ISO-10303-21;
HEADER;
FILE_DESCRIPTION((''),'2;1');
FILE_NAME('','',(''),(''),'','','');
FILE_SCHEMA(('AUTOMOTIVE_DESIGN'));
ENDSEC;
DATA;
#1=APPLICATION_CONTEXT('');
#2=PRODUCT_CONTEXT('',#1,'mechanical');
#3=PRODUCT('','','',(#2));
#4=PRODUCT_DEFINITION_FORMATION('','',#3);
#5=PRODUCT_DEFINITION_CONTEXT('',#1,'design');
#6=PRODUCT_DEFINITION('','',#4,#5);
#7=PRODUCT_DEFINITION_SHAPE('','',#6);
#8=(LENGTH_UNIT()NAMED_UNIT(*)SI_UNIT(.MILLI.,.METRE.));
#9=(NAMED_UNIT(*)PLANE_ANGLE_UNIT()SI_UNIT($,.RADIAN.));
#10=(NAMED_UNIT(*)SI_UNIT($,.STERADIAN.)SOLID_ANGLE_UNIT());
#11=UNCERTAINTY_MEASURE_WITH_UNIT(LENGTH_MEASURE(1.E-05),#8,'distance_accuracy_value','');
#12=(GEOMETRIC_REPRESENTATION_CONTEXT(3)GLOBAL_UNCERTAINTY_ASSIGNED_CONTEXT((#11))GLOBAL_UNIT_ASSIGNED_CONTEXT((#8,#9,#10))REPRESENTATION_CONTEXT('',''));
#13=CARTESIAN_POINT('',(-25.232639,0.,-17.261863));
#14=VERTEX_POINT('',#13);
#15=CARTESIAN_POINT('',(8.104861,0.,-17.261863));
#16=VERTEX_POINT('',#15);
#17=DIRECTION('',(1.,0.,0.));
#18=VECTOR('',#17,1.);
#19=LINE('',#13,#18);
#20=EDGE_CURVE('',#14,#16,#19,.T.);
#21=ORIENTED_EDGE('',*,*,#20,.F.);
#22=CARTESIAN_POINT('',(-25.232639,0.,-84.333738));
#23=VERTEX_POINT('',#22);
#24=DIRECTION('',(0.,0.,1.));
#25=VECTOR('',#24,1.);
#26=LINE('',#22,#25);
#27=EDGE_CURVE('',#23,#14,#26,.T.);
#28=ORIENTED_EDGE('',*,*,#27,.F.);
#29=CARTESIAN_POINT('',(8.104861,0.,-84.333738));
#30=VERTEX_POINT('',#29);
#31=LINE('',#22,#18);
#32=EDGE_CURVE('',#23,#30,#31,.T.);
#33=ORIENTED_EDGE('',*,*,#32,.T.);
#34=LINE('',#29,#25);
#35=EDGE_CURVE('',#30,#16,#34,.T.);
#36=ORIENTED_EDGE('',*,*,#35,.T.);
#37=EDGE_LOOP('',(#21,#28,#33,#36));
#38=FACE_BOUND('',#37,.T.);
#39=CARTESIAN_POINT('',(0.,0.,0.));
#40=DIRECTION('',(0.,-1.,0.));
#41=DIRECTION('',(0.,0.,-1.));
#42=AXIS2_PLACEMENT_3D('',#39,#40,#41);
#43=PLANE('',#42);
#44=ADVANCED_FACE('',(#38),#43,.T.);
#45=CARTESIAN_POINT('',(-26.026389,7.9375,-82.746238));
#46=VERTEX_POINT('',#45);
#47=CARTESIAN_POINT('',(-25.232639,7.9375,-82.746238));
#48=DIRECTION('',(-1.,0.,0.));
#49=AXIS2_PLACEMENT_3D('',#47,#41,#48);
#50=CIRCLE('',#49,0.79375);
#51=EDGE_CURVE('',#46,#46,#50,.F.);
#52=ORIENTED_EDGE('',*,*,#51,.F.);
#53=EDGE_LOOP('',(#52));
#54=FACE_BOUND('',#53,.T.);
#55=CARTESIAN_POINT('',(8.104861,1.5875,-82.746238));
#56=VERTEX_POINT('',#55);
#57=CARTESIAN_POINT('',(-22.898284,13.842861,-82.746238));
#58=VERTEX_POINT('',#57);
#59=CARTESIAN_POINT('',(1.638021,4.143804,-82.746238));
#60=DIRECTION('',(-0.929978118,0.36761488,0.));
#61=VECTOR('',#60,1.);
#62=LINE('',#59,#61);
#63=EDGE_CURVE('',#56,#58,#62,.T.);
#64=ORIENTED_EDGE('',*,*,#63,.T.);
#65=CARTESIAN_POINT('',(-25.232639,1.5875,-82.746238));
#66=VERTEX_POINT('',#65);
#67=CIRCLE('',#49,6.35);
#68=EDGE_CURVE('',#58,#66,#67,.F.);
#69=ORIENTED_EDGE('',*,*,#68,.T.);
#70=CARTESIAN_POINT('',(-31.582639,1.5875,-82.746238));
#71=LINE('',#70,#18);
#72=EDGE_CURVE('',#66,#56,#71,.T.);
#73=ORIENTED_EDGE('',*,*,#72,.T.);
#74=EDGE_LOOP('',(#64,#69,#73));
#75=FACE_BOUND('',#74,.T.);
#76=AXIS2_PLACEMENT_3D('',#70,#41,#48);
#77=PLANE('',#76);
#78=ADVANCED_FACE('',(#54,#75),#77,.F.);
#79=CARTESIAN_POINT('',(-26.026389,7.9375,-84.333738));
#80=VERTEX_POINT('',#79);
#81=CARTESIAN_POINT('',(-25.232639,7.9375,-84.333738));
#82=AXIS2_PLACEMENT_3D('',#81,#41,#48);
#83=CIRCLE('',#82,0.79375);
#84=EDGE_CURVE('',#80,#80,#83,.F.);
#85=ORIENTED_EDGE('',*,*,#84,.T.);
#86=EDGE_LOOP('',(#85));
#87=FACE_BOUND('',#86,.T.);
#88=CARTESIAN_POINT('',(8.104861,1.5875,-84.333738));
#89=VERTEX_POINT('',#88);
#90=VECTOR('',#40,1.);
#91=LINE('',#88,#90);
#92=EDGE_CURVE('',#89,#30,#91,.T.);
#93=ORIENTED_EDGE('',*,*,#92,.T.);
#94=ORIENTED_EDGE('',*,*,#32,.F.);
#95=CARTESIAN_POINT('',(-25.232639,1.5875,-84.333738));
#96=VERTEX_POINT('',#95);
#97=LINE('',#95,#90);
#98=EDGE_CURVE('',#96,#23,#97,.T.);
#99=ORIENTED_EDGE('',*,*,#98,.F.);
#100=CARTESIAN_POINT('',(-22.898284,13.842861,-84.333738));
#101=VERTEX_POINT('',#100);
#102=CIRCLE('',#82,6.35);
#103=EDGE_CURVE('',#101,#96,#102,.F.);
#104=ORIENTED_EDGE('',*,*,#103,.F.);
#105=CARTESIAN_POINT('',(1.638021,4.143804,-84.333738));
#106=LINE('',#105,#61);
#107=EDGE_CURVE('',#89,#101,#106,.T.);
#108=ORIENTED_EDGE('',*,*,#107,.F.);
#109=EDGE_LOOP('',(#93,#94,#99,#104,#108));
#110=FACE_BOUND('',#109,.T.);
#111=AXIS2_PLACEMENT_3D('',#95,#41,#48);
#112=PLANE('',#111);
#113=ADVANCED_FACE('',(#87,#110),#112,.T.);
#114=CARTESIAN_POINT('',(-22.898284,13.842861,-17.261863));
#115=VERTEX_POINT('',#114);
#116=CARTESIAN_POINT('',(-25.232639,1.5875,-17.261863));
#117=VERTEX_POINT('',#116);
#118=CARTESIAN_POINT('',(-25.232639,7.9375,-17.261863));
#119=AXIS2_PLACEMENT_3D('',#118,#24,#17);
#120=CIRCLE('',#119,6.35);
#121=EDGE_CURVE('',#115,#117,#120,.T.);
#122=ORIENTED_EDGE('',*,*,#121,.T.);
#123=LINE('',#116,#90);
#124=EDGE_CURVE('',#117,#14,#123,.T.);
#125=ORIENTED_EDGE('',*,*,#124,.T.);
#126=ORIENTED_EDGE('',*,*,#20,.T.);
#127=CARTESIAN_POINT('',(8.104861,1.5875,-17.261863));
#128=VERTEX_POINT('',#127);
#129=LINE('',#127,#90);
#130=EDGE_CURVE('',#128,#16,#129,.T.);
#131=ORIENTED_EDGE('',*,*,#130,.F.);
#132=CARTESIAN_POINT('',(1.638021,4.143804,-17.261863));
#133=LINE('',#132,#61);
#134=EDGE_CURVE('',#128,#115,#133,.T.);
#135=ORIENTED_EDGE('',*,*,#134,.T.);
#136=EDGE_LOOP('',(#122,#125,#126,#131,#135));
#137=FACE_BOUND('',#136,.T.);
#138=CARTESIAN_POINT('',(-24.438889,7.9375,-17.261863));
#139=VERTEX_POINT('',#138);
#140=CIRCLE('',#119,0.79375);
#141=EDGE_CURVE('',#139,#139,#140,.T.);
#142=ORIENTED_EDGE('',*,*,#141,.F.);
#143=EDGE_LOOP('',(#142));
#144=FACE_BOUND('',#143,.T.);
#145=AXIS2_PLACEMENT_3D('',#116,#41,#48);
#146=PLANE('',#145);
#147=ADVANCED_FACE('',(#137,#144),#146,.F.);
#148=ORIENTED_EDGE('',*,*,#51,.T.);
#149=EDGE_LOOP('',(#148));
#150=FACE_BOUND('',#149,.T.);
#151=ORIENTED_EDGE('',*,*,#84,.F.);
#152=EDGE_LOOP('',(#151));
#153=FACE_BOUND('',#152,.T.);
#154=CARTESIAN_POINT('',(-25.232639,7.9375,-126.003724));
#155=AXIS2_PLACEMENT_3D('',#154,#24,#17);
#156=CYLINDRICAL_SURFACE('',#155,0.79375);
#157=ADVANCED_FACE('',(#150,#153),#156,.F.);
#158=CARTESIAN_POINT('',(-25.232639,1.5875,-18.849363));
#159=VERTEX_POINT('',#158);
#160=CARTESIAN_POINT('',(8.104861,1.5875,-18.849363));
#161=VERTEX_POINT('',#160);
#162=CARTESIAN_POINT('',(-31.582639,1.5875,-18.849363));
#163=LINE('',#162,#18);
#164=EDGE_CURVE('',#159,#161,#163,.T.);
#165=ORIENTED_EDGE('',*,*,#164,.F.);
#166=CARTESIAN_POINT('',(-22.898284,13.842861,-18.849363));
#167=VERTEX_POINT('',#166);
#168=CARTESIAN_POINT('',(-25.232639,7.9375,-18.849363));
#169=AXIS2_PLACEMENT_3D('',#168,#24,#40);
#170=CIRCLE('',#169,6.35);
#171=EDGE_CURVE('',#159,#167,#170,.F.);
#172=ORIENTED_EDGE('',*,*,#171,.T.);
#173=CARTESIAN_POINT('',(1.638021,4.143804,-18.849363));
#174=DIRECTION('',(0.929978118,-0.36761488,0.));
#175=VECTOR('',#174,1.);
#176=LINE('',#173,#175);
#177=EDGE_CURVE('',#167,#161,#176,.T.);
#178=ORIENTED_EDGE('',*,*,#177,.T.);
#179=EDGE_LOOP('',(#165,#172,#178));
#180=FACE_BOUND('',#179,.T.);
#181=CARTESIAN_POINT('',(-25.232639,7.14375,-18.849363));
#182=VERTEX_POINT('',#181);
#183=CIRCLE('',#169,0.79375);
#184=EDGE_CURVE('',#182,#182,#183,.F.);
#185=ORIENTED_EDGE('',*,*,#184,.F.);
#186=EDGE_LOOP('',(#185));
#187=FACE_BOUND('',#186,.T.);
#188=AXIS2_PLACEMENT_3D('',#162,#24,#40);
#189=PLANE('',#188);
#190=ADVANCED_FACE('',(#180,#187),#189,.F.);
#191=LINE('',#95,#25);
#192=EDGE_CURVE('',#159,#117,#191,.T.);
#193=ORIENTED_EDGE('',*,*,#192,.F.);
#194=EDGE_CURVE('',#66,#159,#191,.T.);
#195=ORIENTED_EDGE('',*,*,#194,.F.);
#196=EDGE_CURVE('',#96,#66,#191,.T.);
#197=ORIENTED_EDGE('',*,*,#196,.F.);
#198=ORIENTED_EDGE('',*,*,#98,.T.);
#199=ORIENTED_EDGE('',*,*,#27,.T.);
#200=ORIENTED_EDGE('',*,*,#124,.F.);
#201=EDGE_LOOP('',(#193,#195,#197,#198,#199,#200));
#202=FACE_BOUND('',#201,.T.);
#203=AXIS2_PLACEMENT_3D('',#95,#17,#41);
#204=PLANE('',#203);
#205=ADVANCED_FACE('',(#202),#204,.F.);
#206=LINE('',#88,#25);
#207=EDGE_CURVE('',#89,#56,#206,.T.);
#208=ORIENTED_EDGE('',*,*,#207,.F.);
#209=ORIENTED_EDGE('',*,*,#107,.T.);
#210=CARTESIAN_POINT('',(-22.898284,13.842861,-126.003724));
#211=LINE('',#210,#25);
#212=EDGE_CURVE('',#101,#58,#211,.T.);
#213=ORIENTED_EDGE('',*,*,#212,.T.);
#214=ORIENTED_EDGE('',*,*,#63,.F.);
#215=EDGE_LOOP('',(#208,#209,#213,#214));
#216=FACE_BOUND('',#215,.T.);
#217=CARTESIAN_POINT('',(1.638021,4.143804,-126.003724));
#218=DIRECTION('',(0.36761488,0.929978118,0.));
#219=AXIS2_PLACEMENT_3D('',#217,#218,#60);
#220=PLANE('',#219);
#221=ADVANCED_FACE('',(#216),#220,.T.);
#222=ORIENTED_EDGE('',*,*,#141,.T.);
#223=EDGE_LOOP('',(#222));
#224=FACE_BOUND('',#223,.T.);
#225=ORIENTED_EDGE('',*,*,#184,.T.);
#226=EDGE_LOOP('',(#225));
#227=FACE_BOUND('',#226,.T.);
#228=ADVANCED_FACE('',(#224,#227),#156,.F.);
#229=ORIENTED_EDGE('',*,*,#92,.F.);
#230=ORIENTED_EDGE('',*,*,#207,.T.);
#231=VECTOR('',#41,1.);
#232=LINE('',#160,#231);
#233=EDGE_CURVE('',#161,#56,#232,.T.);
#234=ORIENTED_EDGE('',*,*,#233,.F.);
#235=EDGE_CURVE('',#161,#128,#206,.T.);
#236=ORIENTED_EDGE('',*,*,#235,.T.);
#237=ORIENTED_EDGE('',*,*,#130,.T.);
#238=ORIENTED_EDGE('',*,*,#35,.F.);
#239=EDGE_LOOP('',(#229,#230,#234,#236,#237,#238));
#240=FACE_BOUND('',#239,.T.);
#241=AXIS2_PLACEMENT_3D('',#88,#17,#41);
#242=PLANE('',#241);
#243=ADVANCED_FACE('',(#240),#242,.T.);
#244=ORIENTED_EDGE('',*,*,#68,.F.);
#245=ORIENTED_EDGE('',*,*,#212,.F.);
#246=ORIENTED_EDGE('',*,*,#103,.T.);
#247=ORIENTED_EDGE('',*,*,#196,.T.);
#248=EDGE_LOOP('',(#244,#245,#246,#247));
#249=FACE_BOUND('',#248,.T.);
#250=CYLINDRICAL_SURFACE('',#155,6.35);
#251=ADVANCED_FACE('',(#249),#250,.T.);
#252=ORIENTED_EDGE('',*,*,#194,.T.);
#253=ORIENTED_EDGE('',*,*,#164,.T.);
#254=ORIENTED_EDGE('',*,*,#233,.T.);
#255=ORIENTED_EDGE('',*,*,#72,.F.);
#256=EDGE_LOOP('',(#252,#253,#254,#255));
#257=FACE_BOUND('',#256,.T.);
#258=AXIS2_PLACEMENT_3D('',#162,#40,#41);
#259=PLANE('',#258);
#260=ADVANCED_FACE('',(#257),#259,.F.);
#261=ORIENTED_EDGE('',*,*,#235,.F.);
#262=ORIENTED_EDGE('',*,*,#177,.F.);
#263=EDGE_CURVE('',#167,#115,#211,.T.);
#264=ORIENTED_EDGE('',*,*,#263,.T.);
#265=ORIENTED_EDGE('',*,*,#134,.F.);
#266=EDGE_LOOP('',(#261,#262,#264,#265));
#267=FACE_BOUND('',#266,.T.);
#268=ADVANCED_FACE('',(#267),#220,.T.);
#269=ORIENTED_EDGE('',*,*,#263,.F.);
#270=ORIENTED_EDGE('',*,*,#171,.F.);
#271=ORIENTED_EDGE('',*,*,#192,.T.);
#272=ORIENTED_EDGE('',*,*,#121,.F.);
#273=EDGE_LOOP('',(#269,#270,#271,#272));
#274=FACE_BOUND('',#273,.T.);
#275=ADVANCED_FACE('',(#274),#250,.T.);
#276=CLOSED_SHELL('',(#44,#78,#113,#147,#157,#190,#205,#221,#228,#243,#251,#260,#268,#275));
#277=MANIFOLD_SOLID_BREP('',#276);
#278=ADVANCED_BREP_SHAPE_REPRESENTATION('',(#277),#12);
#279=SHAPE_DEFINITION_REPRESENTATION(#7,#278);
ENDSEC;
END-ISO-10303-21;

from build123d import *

# Parameters (mm, degrees)
SKETCH2_W           = 33.3375
SKETCH2_H           = 67.071875
BOSS_EXTRUDE1_DEPTH = 1.5875
SKETCH3_R           = 0.79375
BOSS_EXTRUDE2_DEPTH = 67.071875
SKETCH4_W           = 63.896875
SKETCH4_H           = 12.7
CUT_EXTRUDE1_DEPTH  = 40.6875


with BuildPart() as part:
    # Sketch2 → Boss-Extrude1 (new body)
    with BuildSketch(Plane(origin=(0, 0, 0), x_dir=(1, 0, 0), z_dir=(0, 1, 0))):
        with Locations((-8.563888889, 50.797800926)):
            Rectangle(SKETCH2_W, SKETCH2_H)
    extrude(amount=BOSS_EXTRUDE1_DEPTH)

    # Sketch3 → Boss-Extrude2 (add)
    with BuildSketch(Plane.XY.offset(-17.261863426)):
        with BuildLine():
            Line((-25.232638889, 1.5875), (8.104861111, 1.5875))
            Line((8.104861111, 1.5875), (-22.898284403, 13.84286105))
            ThreePointArc((-22.898284403, 13.84286105), (-31.470488786, 9.125661885), (-25.232638889, 1.5875))
        make_face()
        with Locations((-25.232638889, 7.9375)):
            Circle(SKETCH3_R, mode=Mode.SUBTRACT)
    extrude(amount=-BOSS_EXTRUDE2_DEPTH)

    # Sketch4 → Cut-Extrude1 (cut, through all)
    with BuildSketch(Plane(origin=(8.104861111, 0, 0), x_dir=(0, 0, -1), z_dir=(1, 0, 0))):
        with Locations((50.797800926, 7.9375)):
            Rectangle(SKETCH4_W, SKETCH4_H)
    extrude(amount=-CUT_EXTRUDE1_DEPTH, mode=Mode.SUBTRACT)


solid = part.part
